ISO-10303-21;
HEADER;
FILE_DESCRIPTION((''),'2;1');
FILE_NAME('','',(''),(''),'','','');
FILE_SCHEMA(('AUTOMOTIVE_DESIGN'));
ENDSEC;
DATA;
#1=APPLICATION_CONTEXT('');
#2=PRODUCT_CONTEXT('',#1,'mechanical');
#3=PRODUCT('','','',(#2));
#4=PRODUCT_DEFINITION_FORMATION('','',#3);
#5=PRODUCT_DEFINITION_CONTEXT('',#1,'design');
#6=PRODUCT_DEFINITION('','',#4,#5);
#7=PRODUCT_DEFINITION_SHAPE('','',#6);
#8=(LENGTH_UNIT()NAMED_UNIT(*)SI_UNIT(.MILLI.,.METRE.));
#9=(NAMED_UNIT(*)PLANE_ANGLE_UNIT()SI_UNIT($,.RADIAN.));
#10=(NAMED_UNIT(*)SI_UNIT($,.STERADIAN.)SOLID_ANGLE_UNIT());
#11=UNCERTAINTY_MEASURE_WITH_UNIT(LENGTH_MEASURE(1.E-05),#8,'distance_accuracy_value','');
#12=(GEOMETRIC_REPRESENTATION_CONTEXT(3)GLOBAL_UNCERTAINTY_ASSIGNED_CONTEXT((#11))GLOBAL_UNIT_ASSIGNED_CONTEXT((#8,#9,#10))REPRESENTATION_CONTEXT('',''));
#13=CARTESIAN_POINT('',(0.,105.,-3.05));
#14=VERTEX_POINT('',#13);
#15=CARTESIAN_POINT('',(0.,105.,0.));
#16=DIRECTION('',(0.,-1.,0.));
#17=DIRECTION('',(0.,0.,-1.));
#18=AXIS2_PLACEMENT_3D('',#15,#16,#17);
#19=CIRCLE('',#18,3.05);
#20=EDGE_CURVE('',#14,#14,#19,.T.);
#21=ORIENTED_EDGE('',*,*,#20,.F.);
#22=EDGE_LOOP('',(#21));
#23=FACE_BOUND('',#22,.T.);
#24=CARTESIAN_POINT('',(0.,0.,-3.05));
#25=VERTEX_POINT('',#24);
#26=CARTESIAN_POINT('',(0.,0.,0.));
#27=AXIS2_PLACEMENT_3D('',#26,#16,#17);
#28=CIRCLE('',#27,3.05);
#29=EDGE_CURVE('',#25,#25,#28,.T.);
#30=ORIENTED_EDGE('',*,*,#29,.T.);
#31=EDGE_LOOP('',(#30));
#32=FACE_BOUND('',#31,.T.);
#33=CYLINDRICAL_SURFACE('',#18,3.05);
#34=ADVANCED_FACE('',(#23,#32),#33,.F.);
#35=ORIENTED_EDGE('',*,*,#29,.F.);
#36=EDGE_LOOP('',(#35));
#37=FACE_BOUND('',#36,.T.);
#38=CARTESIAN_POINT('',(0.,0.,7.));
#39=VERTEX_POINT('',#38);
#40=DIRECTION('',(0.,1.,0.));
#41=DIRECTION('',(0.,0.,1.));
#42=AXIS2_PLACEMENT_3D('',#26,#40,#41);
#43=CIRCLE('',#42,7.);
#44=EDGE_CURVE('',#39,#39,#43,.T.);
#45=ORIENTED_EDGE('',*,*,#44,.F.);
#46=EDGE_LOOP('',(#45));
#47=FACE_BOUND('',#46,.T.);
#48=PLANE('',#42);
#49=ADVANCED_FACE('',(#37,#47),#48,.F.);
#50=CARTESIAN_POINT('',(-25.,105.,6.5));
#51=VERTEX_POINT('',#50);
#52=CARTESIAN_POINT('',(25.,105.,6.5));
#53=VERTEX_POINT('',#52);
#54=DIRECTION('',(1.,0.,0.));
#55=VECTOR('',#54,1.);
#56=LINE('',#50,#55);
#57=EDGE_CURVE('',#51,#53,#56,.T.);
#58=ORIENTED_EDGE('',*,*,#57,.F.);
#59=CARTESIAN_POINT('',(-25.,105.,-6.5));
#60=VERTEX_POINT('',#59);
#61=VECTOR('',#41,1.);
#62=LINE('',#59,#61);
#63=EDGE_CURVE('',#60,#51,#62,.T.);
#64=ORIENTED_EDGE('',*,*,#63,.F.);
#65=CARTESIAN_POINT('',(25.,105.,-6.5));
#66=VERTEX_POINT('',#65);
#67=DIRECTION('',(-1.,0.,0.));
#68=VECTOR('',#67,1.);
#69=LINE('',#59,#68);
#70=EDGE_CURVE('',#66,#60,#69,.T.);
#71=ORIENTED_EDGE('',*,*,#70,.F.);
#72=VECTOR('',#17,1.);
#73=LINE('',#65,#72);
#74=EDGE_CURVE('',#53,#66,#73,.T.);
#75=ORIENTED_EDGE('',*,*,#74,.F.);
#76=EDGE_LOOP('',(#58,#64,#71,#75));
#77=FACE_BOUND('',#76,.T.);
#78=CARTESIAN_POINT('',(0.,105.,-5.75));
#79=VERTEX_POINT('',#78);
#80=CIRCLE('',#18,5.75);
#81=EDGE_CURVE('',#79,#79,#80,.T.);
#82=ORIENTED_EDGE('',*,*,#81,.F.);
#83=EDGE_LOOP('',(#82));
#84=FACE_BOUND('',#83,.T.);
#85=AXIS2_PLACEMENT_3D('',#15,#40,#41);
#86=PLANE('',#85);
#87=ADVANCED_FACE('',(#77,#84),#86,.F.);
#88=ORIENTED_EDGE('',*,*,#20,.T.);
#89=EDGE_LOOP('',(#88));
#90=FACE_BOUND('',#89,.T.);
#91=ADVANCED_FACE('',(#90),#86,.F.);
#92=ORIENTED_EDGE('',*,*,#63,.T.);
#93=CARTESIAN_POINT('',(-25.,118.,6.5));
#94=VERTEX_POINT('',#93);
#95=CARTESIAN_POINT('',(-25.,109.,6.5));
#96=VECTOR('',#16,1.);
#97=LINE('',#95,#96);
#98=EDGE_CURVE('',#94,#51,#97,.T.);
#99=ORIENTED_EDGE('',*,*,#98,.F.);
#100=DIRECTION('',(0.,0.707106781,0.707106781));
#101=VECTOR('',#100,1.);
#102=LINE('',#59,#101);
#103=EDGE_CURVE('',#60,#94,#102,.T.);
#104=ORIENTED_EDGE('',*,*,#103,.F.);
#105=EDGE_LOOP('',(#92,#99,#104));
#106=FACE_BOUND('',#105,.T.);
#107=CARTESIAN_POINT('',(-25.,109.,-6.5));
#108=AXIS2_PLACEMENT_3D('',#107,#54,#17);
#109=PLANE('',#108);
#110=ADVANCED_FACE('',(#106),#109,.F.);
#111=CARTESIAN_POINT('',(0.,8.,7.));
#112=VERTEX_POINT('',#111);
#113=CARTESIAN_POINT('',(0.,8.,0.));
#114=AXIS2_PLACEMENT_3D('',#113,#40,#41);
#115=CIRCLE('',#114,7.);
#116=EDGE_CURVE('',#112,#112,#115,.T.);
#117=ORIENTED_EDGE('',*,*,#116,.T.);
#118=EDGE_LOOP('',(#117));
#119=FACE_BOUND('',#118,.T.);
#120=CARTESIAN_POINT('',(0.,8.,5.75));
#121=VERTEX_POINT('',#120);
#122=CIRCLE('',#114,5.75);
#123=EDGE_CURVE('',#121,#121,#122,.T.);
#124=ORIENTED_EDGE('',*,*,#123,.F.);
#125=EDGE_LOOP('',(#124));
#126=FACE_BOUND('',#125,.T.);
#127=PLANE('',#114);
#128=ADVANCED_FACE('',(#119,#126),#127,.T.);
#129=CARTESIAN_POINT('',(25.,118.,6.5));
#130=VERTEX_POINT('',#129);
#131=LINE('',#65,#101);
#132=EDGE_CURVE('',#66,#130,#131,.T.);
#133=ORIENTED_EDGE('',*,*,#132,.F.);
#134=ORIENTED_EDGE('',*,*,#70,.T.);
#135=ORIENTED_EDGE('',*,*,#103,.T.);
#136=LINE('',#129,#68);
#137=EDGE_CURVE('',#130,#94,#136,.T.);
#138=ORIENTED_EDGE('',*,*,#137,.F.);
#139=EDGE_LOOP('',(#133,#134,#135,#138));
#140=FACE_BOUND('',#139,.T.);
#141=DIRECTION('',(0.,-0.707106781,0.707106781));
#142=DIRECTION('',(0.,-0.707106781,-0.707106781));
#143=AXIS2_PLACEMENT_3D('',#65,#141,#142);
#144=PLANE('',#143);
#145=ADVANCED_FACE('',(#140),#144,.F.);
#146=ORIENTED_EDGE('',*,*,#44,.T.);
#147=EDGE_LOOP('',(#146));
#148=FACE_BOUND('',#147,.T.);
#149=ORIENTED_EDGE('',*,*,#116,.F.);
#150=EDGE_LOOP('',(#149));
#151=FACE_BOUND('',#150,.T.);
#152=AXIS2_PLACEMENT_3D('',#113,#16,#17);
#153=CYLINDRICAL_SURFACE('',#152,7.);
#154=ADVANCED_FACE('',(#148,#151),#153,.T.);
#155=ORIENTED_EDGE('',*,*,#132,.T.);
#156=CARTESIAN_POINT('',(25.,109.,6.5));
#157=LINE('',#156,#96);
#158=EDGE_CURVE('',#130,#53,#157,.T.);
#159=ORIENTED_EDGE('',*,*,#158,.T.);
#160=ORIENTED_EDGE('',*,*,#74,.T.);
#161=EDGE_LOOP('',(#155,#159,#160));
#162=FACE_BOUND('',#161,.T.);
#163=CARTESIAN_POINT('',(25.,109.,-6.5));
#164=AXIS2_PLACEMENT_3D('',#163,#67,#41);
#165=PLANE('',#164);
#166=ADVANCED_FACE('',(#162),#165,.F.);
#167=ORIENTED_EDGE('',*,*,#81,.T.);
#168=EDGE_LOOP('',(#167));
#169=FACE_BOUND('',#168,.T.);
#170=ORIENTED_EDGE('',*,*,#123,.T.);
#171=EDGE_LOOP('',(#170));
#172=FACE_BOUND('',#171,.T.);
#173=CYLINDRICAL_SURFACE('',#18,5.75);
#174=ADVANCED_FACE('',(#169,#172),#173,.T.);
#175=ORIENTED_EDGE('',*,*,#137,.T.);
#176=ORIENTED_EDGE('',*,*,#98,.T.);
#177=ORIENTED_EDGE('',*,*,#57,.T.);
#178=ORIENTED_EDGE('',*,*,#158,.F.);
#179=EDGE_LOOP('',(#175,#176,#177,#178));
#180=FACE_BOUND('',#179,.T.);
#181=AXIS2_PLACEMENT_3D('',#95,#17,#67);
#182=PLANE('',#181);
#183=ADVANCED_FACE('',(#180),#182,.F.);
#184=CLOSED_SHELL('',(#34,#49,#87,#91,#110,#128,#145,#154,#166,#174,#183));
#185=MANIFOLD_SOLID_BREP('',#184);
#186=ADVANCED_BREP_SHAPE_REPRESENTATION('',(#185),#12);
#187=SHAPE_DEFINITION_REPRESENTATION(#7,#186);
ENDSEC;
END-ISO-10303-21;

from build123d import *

# Parameters (mm, degrees)
SKETCH1_R            = 7
SKETCH1_R_2          = 4
BOSS_EXTRUDE1_DEPTH  = 8
SKETCH1_3_R          = 4.75
SKETCH1_3_R_2        = 4
BOSS_EXTRUDE2_DEPTH  = 80
SKETCH3_R            = 5.75
SKETCH3_R_2          = 3.05
BOSS_EXTRUDE3_DEPTH  = 105
SKETCH8_W            = 50
SKETCH8_H            = 13
BOSS_EXTRUDE8_DEPTH  = 4
SKETCH9_W            = 50
SKETCH9_H            = 6.245985434
BOSS_EXTRUDE9_DEPTH  = 9
BOSS_EXTRUDE10_DEPTH = 50
SKETCH11_W           = 50
SKETCH11_H           = 12.98265639
BOSS_EXTRUDE11_DEPTH = 10
CUT_EXTRUDE1_DEPTH   = 100
SKETCH13_W           = 50
SKETCH13_H           = 13
BOSS_EXTRUDE12_DEPTH = 13
CUT_EXTRUDE2_DEPTH   = 50
CUT_EXTRUDE3_DEPTH   = 50


with BuildPart() as part:
    # Sketch1 → Boss-Extrude1 (new body)
    with BuildSketch(Plane(origin=(0, 0, 0), x_dir=(1, 0, 0), z_dir=(0, 1, 0))):
        Circle(SKETCH1_R)
        Circle(SKETCH1_R_2, mode=Mode.SUBTRACT)
    extrude(amount=BOSS_EXTRUDE1_DEPTH)

    # Sketch1<3> → Boss-Extrude2 (add)
    with BuildSketch(Plane(origin=(0, 0, 0), x_dir=(1, 0, 0), z_dir=(0, 1, 0))):
        Circle(SKETCH1_3_R)
        Circle(SKETCH1_3_R_2, mode=Mode.SUBTRACT)
    extrude(amount=BOSS_EXTRUDE2_DEPTH)

    # Sketch3 → Boss-Extrude3 (add)
    with BuildSketch(Plane.XZ):
        Circle(SKETCH3_R)
        Circle(SKETCH3_R_2, mode=Mode.SUBTRACT)
    extrude(amount=-BOSS_EXTRUDE3_DEPTH)

    # Sketch8 → Boss-Extrude8 (add)
    with BuildSketch(Plane(origin=(0, 105, 0), x_dir=(1, 0, 0), z_dir=(0, 1, 0))):
        Rectangle(SKETCH8_W, SKETCH8_H)
    extrude(amount=BOSS_EXTRUDE8_DEPTH)

    # Sketch9 → Boss-Extrude9 (add)
    with BuildSketch(Plane(origin=(0, 109, 0), x_dir=(1, 0, 0), z_dir=(0, 1, 0))):
        with Locations((0, -3.377007283)):
            Rectangle(SKETCH9_W, SKETCH9_H)
    extrude(amount=BOSS_EXTRUDE9_DEPTH)

    # Sketch10 → Boss-Extrude10 (add)
    with BuildSketch(Plane.ZY.offset(25)):
        with BuildLine():
            Line((0.254014566, 118), (0.254014566, 109))
            Line((0.254014566, 109), (-6.5, 109))
            ThreePointArc((-6.5, 109), (-4.986953748, 114.898802217), (0.254014566, 118))
        make_face()
    extrude(amount=-BOSS_EXTRUDE10_DEPTH)

    # Sketch11 → Boss-Extrude11 (add)
    with BuildSketch(Plane(origin=(0, 118, 0), x_dir=(1, 0, 0), z_dir=(0, 1, 0))):
        Rectangle(SKETCH11_W, SKETCH11_H)
    extrude(amount=-BOSS_EXTRUDE11_DEPTH)

    # Sketch12 → Cut-Extrude1 (cut)
    with BuildSketch(Plane(origin=(0, 0, -6.491328195), x_dir=(-1, 0, 0), z_dir=(0, 0, -1))):
        with BuildLine():
            Line((-25, 118), (25, 118))
            ThreePointArc((25, 118), (0, 116.124221553), (-25, 118))
        make_face()
    extrude(amount=-CUT_EXTRUDE1_DEPTH, mode=Mode.SUBTRACT)

    # Sketch13 → Boss-Extrude12 (add)
    with BuildSketch(Plane.XZ.offset(-105)):
        Rectangle(SKETCH13_W, SKETCH13_H)
    extrude(amount=-BOSS_EXTRUDE12_DEPTH)

    # Sketch14 → Cut-Extrude2 (cut)
    with BuildSketch(Plane.ZY.offset(25)):
        Polygon((-6.5, 105), (6.5, 118), (-6.5, 118), (-6.5, 107), align=None)
    extrude(amount=-CUT_EXTRUDE2_DEPTH, mode=Mode.SUBTRACT)


with BuildPart() as cut_extrude2_piece_1:
    # of the separate pieces the step leaves, piece 1, a body of its own (cut_extrude2_pieces)
    add(part.part.solids().sort_by_distance((-25, 105, -6.5))[0])


with BuildPart() as cut_extrude2_piece_2:
    # of the separate pieces the step leaves, piece 2, a body of its own (cut_extrude2_pieces)
    add(part.part.solids().sort_by_distance((-25, 109, -6.5))[0])

    # Sketch15 → Cut-Extrude3 (cut)
    with BuildSketch(Plane.ZY.offset(25)):
        with BuildLine():
            Line((6.5, 118), (-6.5, 105))
            Line((-6.5, 105), (-15.046764463, 116.293960334))
            Line((-15.046764463, 116.293960334), (5.81150646, 117.953140975))
            ThreePointArc((5.81150646, 117.953140975), (6.155619412, 117.978536655), (6.5, 118))
        make_face()
    extrude(amount=-CUT_EXTRUDE3_DEPTH, mode=Mode.SUBTRACT)


solid = cut_extrude2_piece_1.part
